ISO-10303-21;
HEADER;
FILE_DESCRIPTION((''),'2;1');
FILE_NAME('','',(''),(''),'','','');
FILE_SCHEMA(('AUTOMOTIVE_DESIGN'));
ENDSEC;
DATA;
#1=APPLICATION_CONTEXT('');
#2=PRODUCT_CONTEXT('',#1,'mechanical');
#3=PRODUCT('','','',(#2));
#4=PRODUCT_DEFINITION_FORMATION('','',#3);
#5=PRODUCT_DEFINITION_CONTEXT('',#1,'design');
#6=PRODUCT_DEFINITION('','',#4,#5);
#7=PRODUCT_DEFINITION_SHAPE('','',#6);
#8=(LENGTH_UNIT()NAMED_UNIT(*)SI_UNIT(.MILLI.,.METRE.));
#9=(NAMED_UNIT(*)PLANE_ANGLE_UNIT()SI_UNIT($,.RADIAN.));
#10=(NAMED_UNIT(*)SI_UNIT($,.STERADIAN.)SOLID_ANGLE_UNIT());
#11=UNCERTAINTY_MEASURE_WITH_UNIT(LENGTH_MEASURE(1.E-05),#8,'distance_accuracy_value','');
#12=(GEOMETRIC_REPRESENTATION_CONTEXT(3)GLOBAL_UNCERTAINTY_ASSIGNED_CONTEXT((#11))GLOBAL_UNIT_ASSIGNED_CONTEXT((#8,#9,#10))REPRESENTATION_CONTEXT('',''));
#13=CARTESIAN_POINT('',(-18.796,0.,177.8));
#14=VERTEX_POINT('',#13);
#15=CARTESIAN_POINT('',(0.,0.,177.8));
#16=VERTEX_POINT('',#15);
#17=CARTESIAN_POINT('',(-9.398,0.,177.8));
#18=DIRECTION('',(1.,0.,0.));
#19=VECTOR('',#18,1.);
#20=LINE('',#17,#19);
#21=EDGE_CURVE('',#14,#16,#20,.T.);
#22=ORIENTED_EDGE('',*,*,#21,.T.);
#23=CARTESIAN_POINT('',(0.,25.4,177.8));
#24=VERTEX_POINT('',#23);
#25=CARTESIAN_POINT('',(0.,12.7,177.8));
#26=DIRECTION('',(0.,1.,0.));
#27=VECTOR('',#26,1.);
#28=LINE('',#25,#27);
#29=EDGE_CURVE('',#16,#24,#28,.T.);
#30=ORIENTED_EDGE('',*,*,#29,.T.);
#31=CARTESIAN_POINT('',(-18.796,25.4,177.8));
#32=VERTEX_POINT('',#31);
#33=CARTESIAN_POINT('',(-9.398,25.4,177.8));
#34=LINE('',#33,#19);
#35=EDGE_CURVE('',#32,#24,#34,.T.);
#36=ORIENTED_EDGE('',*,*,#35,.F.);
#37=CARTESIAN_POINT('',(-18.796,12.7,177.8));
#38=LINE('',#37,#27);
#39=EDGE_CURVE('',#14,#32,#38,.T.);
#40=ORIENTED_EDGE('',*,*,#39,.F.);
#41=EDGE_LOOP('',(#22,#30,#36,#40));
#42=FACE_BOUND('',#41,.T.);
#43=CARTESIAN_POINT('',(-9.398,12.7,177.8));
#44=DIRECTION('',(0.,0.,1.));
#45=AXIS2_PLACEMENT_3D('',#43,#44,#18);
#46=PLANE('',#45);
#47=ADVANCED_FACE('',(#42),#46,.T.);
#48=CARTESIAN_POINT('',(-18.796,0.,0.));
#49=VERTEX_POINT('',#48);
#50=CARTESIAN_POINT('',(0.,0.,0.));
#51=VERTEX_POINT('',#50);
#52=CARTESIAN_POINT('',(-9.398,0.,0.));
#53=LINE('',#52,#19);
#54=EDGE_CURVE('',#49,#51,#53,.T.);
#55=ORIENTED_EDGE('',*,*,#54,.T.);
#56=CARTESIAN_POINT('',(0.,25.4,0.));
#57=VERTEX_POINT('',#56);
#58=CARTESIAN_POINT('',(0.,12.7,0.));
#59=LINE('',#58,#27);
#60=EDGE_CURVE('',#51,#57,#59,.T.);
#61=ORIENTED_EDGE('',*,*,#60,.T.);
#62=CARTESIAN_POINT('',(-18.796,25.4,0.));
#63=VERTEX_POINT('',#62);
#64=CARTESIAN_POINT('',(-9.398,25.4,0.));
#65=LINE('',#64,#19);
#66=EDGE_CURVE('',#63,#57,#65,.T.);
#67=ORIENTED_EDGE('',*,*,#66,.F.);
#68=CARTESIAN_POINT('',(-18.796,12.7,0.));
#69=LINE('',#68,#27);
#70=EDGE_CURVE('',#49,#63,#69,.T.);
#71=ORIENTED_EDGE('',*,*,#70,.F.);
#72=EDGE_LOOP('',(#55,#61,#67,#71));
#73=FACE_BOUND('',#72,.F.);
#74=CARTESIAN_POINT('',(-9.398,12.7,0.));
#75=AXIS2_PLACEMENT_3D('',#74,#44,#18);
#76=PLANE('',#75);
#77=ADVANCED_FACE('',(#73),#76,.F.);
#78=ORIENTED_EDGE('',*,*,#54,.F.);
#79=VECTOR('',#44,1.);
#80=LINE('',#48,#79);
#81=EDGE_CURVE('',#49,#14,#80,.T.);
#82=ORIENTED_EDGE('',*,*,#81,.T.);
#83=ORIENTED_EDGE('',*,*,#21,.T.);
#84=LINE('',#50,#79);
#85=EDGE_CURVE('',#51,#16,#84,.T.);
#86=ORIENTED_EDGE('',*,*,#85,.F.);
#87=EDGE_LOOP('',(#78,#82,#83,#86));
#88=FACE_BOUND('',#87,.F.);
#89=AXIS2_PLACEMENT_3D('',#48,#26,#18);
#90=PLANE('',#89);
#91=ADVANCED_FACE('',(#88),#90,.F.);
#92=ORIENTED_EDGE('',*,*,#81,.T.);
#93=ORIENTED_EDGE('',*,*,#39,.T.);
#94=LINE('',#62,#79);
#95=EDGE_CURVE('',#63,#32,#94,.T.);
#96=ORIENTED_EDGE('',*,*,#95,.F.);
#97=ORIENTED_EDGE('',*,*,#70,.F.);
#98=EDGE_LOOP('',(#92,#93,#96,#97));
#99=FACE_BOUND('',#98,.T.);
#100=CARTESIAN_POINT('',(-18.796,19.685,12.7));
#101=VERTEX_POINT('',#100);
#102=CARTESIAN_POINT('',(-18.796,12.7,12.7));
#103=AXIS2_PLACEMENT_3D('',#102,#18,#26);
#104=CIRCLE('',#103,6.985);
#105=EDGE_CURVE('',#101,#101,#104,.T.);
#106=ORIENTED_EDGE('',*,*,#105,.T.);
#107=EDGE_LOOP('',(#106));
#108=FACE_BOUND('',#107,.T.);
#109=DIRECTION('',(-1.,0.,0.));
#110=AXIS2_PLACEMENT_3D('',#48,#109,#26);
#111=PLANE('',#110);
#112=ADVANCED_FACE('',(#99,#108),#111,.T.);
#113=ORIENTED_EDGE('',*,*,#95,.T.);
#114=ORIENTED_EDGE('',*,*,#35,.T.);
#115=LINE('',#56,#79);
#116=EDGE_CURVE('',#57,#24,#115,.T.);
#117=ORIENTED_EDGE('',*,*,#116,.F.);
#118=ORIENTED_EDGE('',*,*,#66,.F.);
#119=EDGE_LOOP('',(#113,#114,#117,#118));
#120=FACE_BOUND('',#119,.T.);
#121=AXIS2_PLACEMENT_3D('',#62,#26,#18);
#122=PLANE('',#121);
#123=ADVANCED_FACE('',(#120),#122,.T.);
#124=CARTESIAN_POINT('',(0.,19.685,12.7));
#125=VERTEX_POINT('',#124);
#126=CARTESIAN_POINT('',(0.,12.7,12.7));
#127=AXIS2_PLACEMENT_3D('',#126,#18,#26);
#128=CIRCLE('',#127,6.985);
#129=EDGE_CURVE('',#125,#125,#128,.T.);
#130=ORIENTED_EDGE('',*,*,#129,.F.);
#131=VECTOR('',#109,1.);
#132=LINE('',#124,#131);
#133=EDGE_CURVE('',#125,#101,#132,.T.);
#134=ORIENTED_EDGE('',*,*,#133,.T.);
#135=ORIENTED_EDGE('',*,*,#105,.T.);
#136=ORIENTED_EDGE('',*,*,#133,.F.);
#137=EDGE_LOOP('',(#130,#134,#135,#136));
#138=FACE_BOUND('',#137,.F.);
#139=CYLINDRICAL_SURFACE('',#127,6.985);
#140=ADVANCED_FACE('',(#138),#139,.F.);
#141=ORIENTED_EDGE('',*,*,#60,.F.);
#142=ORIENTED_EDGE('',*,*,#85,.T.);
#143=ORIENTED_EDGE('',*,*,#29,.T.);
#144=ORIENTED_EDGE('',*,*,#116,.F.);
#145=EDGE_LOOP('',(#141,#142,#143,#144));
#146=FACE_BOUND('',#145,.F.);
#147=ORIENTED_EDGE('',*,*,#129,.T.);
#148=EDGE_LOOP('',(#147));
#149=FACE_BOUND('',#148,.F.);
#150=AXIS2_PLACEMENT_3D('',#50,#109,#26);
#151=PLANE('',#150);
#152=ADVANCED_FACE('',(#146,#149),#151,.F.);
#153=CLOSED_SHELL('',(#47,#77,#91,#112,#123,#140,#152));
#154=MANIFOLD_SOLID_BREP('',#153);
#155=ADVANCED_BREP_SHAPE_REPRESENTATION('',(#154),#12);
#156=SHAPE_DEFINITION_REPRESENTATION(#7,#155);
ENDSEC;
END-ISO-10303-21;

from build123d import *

# Parameters (mm, degrees)
F0_W     = 18.796
F0_H     = 25.4
F1_DEPTH = 177.8
F2_R     = 6.985
F3_DEPTH = 25.4


with BuildPart() as f1:
    # F0 (on Top) → F1 (new body)
    with BuildSketch(Plane.XY):
        with Locations((-9.398, 12.7)):
            Rectangle(F0_W, F0_H)
    extrude(amount=F1_DEPTH)

    # F2 (on face) → F3 (cut)
    with BuildSketch(Plane.YZ):
        with Locations((12.7, 12.7)):
            Circle(F2_R)
    extrude(amount=-F3_DEPTH, mode=Mode.SUBTRACT)


solid = f1.part
